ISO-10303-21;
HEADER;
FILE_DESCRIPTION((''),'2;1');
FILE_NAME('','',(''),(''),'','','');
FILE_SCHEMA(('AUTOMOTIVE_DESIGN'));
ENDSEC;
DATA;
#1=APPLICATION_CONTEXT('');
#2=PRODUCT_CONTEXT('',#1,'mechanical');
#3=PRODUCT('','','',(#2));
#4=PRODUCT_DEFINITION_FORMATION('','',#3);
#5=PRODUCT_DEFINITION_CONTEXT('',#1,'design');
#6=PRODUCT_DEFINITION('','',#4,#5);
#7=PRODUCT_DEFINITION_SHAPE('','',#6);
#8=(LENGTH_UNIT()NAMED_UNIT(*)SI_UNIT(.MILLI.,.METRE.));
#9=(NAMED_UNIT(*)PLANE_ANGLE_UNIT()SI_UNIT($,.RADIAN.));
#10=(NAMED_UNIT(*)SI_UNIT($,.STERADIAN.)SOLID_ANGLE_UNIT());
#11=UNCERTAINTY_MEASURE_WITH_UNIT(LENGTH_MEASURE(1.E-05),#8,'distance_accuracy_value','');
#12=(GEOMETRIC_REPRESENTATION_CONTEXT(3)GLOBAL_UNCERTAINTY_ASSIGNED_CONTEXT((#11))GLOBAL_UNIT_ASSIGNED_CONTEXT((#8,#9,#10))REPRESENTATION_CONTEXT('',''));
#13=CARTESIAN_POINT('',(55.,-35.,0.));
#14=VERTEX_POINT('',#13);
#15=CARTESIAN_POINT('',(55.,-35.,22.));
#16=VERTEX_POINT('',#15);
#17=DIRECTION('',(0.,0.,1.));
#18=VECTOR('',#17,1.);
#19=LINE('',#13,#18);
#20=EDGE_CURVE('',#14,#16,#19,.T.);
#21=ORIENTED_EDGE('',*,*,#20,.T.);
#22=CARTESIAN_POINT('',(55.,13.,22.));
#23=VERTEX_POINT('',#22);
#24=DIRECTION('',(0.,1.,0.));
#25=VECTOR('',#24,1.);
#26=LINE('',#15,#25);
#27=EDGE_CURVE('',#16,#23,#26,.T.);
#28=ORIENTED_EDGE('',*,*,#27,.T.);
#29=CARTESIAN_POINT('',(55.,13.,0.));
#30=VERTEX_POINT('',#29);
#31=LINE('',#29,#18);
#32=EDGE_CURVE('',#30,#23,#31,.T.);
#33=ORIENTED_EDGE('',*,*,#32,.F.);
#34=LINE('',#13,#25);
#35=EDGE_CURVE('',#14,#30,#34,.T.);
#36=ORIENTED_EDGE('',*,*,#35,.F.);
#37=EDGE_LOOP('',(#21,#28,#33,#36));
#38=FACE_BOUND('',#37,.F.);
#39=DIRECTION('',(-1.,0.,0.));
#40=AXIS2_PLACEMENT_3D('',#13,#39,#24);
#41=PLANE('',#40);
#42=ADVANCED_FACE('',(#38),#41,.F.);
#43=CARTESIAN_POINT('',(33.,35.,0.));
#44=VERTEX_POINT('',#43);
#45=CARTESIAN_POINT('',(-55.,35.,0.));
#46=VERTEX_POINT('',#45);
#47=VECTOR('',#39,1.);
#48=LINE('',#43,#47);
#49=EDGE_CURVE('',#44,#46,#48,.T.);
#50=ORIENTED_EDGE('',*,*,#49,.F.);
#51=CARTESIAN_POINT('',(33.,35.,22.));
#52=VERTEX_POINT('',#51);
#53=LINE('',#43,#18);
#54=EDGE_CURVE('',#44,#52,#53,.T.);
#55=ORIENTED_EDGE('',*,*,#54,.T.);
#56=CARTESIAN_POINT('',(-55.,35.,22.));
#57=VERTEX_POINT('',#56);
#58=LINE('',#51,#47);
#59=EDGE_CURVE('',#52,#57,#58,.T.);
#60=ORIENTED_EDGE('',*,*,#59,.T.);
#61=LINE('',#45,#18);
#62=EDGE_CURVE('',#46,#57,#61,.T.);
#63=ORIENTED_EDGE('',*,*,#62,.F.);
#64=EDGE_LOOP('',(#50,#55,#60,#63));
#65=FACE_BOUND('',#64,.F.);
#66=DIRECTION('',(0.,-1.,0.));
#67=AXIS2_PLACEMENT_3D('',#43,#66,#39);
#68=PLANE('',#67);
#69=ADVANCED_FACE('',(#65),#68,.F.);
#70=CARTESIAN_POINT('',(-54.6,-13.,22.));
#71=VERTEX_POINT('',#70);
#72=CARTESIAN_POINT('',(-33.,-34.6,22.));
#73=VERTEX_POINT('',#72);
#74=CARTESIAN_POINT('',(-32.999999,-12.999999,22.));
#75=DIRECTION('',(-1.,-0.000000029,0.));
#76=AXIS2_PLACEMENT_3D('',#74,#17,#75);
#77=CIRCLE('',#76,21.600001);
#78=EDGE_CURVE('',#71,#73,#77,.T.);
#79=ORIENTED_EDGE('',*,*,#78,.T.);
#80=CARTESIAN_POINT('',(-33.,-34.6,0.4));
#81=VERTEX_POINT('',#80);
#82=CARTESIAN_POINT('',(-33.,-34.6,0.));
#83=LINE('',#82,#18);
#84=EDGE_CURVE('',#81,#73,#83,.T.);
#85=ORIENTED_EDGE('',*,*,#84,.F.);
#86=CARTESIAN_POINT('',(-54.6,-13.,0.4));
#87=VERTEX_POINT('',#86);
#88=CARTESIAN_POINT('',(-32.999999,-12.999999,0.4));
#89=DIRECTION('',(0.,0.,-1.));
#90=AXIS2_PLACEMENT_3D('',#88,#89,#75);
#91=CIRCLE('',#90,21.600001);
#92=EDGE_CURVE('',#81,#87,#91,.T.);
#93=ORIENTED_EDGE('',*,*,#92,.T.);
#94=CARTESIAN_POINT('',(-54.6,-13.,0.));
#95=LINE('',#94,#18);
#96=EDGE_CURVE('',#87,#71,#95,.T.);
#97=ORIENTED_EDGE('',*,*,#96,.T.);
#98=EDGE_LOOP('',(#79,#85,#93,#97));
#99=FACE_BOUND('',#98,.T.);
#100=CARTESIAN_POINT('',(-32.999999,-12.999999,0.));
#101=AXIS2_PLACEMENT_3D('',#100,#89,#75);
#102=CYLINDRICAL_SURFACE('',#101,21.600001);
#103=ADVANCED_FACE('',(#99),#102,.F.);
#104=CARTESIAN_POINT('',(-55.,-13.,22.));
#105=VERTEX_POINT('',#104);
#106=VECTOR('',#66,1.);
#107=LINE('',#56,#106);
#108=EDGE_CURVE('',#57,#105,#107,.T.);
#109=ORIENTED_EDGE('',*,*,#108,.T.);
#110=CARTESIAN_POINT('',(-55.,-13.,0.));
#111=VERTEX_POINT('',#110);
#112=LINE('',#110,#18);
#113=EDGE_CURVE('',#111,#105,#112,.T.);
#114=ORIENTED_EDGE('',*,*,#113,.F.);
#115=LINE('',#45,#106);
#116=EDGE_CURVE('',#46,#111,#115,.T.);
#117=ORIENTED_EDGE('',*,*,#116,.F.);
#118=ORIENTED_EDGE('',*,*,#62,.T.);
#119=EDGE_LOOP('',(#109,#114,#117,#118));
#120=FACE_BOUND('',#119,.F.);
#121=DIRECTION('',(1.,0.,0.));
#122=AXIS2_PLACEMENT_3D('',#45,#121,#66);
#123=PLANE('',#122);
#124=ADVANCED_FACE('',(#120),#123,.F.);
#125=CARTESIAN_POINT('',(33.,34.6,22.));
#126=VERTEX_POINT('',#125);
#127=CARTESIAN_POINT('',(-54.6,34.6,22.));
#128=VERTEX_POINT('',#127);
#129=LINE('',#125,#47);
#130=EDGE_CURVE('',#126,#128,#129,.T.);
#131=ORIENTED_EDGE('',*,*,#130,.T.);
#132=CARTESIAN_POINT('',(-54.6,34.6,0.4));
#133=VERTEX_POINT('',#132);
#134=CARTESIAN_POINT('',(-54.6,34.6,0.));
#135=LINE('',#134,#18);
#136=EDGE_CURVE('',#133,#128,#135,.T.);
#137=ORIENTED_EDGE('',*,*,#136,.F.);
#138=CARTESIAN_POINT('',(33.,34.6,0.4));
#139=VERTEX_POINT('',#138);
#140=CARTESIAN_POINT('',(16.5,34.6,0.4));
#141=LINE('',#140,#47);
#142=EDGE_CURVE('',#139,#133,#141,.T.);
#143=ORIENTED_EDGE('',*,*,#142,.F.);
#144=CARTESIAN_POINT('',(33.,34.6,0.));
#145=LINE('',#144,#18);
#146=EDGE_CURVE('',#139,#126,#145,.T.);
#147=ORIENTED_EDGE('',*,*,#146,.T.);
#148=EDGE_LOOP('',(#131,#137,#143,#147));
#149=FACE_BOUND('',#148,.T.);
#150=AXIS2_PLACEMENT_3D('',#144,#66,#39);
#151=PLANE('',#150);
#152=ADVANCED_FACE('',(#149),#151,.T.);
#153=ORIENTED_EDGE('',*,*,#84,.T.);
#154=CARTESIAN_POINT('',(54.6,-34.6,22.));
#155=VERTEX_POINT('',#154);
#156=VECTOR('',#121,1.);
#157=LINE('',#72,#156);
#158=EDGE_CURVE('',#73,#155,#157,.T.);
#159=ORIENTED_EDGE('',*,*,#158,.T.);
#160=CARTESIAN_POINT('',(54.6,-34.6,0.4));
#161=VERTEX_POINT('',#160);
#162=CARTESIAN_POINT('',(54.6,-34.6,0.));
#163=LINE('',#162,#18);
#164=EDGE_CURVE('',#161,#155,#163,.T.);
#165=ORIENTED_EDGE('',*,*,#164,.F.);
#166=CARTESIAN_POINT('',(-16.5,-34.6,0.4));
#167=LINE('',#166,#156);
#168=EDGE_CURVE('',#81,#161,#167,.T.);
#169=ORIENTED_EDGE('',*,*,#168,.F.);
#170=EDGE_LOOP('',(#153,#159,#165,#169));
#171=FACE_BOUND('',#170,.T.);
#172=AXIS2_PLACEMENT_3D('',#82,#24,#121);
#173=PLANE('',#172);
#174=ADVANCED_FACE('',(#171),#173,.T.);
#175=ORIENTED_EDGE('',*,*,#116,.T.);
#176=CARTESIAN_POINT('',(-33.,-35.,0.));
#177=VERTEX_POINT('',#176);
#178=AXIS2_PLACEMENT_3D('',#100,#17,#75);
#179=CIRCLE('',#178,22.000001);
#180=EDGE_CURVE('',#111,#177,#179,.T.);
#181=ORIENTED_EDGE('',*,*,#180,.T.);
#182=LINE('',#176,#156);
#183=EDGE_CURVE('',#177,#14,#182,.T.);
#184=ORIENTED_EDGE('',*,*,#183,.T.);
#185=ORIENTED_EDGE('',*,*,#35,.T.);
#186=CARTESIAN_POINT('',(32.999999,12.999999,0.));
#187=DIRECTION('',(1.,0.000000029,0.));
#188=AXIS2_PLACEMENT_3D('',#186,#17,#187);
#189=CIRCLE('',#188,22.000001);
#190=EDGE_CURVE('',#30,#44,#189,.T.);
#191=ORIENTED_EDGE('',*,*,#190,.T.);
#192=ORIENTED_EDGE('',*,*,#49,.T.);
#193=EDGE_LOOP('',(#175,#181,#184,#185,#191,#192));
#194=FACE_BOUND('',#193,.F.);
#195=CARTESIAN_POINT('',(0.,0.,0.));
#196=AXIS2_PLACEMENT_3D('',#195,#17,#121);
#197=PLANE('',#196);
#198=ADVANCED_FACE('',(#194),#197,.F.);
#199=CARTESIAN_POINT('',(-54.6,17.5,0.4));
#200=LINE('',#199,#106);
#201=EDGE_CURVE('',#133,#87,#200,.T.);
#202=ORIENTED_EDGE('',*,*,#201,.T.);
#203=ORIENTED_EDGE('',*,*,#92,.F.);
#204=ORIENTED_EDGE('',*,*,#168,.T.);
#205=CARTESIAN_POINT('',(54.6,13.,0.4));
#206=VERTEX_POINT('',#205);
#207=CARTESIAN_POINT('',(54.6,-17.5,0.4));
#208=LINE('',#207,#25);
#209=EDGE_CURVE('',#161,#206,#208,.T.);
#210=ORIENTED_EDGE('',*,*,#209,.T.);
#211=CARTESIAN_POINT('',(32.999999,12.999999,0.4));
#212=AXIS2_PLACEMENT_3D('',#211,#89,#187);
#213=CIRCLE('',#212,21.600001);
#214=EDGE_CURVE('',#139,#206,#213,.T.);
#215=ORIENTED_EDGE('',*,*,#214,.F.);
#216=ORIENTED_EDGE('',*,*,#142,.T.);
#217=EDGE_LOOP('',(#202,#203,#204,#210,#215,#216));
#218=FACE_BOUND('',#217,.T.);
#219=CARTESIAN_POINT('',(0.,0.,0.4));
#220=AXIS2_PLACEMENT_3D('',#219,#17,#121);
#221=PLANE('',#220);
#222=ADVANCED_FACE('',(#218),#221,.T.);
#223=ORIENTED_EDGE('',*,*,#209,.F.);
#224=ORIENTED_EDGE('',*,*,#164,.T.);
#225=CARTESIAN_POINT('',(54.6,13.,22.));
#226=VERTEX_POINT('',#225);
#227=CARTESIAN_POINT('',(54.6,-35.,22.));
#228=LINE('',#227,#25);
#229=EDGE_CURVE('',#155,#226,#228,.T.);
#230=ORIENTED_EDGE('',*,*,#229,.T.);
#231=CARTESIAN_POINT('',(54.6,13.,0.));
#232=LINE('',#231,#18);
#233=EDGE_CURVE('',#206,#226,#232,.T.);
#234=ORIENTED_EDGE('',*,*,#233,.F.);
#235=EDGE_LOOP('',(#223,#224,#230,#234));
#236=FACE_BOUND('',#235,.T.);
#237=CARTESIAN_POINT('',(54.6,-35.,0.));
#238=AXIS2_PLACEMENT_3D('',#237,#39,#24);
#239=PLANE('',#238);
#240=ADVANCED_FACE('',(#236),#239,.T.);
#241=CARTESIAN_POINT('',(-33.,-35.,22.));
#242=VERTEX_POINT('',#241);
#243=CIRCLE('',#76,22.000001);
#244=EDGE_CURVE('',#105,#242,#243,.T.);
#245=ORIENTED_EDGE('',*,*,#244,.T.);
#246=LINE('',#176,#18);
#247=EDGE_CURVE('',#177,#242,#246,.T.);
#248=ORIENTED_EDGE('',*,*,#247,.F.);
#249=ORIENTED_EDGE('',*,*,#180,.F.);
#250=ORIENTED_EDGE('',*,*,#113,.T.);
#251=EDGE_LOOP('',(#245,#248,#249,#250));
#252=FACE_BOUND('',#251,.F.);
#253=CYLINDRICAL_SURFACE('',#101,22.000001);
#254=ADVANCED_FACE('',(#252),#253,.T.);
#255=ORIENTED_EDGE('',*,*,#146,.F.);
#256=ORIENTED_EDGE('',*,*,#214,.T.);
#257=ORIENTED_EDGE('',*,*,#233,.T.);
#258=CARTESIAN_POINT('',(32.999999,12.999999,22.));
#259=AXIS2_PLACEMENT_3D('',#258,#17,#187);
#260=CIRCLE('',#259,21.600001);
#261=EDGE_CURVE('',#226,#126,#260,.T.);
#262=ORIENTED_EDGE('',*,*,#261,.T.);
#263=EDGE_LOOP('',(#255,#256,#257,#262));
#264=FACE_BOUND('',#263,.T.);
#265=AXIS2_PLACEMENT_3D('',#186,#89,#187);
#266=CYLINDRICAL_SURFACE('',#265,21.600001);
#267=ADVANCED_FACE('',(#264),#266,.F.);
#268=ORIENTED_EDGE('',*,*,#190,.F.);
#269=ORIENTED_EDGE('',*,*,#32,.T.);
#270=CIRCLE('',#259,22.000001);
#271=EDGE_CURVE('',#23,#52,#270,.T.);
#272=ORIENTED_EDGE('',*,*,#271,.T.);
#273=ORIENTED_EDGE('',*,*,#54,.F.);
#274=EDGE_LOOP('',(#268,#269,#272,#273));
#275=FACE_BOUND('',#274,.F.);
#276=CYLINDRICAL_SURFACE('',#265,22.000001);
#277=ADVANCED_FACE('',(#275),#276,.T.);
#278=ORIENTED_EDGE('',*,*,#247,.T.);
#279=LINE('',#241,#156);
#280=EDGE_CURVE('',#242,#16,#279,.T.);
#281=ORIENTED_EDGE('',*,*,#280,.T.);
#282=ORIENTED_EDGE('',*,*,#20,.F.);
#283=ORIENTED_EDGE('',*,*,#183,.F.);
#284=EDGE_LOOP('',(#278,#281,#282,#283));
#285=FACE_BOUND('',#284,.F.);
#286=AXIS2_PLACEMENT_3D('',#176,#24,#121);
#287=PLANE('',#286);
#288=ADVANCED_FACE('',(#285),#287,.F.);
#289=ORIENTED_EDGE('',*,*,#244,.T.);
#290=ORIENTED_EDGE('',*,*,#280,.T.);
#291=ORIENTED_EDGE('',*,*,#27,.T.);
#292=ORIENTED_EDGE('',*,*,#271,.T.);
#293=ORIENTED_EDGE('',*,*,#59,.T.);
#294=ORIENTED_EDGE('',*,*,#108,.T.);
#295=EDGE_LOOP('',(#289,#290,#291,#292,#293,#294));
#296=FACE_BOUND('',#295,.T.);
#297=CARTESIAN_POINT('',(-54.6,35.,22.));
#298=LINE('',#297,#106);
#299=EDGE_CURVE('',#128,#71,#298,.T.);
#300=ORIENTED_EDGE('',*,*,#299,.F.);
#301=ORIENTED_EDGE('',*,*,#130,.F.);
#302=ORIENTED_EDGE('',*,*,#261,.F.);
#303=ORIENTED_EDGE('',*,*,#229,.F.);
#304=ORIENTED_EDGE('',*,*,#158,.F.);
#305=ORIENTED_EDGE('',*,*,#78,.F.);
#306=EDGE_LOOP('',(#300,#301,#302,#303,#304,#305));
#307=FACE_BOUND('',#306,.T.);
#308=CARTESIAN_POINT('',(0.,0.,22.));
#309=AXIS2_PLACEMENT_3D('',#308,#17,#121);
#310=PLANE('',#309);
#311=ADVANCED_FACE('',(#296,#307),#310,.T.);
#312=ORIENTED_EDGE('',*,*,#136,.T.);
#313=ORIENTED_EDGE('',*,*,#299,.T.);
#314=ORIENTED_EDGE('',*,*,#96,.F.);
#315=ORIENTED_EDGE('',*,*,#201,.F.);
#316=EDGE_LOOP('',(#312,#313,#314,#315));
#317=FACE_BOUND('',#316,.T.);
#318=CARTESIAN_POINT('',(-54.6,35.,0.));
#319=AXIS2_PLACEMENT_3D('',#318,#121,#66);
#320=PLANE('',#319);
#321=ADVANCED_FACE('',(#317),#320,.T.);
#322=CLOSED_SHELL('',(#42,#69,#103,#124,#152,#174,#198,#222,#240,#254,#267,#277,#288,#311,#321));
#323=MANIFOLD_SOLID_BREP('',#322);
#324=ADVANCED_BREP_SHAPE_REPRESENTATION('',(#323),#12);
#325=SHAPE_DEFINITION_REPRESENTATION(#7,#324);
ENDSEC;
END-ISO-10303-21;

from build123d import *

# Parameters (mm, degrees)
F1_DEPTH = 22
F2_T     = -0.4


with BuildPart() as f1:
    # F0 (on Top) → F1 (new body)
    with BuildSketch(Plane.XY):
        with BuildLine():
            ThreePointArc((55, 13), (48.556349, 28.556349), (33, 35))
            Line((33, 35), (-55, 35))
            Line((-55, 35), (-55, -13))
            ThreePointArc((-55, -13), (-48.556349, -28.556349), (-33, -35))
            Line((-33, -35), (55, -35))
            Line((55, -35), (55, 13))
        make_face()
    extrude(amount=F1_DEPTH)

    # F2
    f2_openings = [f1.faces().sort_by_distance(p)[0] for p in [
        (0, 0, 22),
    ]]
    offset(amount=F2_T, openings=f2_openings)


solid = f1.part
